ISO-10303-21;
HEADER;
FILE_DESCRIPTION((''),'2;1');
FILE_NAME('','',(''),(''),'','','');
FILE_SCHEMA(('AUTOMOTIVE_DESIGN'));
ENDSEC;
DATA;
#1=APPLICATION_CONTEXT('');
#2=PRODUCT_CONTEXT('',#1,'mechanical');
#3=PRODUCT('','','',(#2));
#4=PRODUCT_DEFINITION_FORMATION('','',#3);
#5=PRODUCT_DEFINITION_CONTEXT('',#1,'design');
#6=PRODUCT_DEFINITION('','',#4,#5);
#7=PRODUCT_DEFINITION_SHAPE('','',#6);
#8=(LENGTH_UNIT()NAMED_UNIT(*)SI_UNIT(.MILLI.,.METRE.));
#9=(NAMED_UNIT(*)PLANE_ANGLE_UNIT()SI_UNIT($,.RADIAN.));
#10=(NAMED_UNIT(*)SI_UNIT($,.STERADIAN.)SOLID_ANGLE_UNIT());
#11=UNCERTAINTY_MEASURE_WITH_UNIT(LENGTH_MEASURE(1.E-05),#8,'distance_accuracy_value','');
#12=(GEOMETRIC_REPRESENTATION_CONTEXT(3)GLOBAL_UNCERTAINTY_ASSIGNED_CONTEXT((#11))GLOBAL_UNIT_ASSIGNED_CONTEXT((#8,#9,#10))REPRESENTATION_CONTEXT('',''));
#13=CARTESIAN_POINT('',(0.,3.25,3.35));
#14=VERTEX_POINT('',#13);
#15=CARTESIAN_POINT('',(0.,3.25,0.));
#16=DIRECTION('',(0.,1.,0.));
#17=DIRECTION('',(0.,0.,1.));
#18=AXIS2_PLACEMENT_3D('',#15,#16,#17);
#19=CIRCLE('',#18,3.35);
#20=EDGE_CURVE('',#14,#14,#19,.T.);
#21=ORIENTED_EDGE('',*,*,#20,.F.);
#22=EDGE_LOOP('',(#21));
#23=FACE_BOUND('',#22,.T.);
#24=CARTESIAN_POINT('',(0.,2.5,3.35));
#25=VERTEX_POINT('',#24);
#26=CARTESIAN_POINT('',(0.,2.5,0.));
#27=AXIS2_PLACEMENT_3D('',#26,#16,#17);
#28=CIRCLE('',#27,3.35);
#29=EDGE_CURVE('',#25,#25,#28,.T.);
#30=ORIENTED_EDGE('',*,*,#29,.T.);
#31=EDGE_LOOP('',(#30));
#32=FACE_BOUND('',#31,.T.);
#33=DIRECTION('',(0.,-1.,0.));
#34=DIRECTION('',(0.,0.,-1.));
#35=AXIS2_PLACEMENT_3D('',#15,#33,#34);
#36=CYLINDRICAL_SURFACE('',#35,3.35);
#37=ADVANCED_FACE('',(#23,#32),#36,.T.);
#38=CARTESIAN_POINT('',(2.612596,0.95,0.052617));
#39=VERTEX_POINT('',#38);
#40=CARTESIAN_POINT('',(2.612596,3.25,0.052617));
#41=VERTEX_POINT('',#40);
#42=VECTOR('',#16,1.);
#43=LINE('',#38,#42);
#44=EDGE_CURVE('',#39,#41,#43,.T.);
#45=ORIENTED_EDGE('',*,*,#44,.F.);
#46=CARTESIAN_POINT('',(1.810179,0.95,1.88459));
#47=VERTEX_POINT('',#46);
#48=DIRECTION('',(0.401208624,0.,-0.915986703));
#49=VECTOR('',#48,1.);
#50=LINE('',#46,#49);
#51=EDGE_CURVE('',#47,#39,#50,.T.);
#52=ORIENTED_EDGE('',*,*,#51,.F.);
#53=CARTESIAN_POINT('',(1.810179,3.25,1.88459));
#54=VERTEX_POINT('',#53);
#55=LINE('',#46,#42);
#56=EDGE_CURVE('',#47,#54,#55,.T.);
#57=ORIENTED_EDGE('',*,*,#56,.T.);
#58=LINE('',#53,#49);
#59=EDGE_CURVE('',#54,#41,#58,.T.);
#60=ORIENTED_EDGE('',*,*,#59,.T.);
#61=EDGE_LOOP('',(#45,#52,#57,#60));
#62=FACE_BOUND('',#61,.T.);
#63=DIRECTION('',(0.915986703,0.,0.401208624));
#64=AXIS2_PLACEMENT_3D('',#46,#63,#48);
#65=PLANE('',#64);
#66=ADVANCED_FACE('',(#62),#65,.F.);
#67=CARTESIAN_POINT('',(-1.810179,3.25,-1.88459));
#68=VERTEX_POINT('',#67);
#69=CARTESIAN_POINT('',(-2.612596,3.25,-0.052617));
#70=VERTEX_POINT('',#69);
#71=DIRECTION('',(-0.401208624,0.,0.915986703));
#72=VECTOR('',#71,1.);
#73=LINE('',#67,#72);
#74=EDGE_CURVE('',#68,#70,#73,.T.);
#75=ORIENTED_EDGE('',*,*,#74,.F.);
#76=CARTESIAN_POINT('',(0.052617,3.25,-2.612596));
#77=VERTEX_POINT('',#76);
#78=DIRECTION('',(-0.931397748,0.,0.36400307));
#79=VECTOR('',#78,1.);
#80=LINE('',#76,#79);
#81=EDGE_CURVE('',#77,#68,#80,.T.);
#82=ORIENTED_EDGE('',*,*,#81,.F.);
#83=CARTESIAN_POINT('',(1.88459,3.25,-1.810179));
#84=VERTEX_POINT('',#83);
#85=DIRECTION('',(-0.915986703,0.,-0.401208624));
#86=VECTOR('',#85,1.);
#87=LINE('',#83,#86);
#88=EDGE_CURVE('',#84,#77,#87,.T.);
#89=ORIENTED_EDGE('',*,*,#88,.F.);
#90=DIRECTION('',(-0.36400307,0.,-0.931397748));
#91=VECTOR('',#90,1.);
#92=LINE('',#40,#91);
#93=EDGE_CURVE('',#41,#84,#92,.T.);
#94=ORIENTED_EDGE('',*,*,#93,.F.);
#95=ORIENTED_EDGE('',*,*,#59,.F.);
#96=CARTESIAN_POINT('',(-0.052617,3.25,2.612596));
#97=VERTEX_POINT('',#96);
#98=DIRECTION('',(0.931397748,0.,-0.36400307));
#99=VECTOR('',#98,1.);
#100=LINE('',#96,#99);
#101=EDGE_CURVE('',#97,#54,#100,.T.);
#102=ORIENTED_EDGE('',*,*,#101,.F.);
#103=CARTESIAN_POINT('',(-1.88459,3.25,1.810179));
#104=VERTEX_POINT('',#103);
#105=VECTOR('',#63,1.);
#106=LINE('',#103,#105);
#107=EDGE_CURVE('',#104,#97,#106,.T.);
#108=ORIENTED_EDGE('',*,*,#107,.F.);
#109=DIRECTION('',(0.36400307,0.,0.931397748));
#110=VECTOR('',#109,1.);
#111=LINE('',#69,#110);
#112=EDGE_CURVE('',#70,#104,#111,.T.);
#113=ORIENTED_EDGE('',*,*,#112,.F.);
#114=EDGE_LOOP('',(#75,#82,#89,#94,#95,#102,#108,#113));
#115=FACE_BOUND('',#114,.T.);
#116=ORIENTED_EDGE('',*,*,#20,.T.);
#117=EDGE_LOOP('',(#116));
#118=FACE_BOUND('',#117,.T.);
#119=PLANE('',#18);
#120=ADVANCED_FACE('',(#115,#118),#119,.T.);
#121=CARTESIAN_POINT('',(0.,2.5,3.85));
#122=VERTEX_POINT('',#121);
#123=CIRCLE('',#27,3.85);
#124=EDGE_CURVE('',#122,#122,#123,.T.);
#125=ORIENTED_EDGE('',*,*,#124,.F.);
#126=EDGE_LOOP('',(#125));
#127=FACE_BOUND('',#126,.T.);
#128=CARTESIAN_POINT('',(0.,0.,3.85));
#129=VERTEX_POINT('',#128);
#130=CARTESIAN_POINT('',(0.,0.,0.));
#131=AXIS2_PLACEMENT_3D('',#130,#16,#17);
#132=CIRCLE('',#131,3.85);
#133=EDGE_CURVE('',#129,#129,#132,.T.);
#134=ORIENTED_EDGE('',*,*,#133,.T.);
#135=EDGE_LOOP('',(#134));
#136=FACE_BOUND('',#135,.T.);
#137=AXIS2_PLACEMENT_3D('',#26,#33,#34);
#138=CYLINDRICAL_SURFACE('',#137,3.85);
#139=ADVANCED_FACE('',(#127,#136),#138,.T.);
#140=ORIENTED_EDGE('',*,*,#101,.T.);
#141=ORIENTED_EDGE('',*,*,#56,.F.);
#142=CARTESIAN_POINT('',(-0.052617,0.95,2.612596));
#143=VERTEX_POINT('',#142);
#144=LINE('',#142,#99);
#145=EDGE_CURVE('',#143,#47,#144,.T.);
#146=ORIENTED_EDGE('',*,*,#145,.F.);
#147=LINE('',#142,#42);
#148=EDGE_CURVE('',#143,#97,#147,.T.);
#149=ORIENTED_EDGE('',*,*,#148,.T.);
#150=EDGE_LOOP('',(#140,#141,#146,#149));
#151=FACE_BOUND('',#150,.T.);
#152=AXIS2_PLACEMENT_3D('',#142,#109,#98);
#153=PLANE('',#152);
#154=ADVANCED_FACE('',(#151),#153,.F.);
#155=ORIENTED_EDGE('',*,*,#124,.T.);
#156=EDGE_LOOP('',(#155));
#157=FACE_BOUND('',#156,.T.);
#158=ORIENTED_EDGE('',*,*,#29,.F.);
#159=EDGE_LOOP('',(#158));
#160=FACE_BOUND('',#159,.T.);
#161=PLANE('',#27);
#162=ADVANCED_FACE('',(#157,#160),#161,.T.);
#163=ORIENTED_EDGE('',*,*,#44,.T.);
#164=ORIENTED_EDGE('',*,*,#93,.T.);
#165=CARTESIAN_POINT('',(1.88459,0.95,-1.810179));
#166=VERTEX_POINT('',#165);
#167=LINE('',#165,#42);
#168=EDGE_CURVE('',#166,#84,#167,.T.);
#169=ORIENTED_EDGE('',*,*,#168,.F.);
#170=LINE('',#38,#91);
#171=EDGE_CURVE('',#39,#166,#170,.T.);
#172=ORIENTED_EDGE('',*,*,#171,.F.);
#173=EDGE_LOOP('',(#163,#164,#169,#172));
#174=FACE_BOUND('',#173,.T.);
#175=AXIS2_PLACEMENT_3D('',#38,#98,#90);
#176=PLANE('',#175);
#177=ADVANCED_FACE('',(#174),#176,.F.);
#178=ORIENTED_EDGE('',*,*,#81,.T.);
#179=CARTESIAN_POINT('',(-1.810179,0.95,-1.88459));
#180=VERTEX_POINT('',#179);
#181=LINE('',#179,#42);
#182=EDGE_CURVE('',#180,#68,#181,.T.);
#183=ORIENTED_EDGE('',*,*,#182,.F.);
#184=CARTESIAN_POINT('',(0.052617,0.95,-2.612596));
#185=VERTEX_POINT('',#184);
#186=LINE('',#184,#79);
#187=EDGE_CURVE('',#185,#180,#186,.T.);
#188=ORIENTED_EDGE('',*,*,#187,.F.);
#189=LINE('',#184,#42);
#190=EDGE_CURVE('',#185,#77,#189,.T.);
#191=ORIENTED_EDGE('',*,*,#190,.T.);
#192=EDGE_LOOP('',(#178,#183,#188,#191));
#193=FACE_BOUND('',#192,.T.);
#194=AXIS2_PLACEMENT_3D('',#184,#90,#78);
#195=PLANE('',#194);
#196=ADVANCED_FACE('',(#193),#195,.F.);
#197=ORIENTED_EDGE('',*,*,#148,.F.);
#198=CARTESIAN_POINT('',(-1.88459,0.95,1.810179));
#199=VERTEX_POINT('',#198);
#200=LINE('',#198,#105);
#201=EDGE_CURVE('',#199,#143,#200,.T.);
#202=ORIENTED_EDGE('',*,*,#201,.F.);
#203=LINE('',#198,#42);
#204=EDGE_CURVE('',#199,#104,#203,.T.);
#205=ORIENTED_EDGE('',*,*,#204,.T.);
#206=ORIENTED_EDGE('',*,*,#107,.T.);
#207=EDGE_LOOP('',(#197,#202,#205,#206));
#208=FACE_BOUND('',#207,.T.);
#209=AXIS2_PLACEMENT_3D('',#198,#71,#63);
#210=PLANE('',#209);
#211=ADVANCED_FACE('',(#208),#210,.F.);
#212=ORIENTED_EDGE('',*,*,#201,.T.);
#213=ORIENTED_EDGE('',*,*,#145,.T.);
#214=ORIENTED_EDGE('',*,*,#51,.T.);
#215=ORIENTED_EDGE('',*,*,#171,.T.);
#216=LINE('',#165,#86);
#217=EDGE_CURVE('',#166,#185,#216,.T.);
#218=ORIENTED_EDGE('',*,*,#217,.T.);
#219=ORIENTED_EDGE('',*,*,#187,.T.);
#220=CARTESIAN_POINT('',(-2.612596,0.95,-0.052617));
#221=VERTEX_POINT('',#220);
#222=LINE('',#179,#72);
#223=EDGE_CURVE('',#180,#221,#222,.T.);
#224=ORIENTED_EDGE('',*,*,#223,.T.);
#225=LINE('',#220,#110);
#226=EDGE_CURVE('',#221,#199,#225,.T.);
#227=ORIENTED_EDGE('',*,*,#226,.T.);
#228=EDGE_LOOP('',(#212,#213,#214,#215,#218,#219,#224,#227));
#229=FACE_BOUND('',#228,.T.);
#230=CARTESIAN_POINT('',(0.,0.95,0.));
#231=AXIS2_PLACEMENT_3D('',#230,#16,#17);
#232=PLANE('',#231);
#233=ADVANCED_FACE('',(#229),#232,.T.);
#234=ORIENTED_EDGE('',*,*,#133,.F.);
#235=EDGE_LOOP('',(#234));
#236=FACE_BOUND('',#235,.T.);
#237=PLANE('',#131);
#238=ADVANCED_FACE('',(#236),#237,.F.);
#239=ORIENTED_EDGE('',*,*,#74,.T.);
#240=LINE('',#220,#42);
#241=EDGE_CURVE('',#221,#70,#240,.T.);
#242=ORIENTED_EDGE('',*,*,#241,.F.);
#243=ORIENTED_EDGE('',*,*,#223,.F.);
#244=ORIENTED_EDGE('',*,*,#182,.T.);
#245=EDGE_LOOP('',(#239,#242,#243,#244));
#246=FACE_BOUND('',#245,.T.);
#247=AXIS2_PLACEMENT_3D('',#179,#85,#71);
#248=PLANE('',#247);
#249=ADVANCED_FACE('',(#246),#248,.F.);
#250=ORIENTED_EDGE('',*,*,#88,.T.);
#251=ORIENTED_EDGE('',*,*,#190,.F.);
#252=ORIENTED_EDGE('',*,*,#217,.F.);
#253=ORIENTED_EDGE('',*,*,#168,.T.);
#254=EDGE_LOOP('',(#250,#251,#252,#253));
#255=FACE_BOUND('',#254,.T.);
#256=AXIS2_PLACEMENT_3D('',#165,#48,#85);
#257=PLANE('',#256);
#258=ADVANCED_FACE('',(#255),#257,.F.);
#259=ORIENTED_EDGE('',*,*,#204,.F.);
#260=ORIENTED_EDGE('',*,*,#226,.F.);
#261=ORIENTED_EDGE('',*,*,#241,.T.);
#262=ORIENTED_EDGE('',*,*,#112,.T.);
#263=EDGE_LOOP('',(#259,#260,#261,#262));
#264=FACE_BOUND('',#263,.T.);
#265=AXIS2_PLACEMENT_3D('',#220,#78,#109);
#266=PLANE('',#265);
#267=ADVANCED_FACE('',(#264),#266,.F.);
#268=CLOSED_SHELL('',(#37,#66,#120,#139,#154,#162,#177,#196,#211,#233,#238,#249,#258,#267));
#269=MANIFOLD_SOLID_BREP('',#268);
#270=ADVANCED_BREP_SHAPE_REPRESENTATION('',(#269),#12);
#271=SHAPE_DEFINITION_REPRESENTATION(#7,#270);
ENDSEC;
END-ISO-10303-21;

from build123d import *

# Parameters (mm, degrees)
SKETCH1_R           = 3.85
BOSS_EXTRUDE1_DEPTH = 2.5
SKETCH2_R           = 3.35
BOSS_EXTRUDE2_DEPTH = 0.75
CUT_EXTRUDE1_DEPTH  = 2.3


with BuildPart() as part:
    # Sketch1 → Boss-Extrude1 (new body)
    with BuildSketch(Plane(origin=(0, 0, 0), x_dir=(1, 0, 0), z_dir=(0, 1, 0))):
        with Locations(Location((0, 0, 0), (0, 0, 270))):
            Circle(SKETCH1_R)
    extrude(amount=BOSS_EXTRUDE1_DEPTH)

    # Sketch2 → Boss-Extrude2 (add)
    with BuildSketch(Plane(origin=(0, 2.5, 0), x_dir=(1, 0, 0), z_dir=(0, 1, 0))):
        with Locations(Location((0, 0, 0), (0, 0, 270))):
            Circle(SKETCH2_R)
    extrude(amount=BOSS_EXTRUDE2_DEPTH)

    # Sketch3 → Cut-Extrude1 (cut)
    with BuildSketch(Plane(origin=(0, 3.25, 0), x_dir=(1, 0, 0), z_dir=(0, 1, 0))):
        Polygon((-0.052616599, -2.612596145), (1.810178897, -1.884590005), (2.612596145, -0.052616599), (1.884590005, 1.810178897), (0.052616599, 2.612596145), (-1.810178897, 1.884590005), (-2.612596145, 0.052616599), (-1.884590005, -1.810178897), align=None)
    extrude(amount=-CUT_EXTRUDE1_DEPTH, mode=Mode.SUBTRACT)


solid = part.part
